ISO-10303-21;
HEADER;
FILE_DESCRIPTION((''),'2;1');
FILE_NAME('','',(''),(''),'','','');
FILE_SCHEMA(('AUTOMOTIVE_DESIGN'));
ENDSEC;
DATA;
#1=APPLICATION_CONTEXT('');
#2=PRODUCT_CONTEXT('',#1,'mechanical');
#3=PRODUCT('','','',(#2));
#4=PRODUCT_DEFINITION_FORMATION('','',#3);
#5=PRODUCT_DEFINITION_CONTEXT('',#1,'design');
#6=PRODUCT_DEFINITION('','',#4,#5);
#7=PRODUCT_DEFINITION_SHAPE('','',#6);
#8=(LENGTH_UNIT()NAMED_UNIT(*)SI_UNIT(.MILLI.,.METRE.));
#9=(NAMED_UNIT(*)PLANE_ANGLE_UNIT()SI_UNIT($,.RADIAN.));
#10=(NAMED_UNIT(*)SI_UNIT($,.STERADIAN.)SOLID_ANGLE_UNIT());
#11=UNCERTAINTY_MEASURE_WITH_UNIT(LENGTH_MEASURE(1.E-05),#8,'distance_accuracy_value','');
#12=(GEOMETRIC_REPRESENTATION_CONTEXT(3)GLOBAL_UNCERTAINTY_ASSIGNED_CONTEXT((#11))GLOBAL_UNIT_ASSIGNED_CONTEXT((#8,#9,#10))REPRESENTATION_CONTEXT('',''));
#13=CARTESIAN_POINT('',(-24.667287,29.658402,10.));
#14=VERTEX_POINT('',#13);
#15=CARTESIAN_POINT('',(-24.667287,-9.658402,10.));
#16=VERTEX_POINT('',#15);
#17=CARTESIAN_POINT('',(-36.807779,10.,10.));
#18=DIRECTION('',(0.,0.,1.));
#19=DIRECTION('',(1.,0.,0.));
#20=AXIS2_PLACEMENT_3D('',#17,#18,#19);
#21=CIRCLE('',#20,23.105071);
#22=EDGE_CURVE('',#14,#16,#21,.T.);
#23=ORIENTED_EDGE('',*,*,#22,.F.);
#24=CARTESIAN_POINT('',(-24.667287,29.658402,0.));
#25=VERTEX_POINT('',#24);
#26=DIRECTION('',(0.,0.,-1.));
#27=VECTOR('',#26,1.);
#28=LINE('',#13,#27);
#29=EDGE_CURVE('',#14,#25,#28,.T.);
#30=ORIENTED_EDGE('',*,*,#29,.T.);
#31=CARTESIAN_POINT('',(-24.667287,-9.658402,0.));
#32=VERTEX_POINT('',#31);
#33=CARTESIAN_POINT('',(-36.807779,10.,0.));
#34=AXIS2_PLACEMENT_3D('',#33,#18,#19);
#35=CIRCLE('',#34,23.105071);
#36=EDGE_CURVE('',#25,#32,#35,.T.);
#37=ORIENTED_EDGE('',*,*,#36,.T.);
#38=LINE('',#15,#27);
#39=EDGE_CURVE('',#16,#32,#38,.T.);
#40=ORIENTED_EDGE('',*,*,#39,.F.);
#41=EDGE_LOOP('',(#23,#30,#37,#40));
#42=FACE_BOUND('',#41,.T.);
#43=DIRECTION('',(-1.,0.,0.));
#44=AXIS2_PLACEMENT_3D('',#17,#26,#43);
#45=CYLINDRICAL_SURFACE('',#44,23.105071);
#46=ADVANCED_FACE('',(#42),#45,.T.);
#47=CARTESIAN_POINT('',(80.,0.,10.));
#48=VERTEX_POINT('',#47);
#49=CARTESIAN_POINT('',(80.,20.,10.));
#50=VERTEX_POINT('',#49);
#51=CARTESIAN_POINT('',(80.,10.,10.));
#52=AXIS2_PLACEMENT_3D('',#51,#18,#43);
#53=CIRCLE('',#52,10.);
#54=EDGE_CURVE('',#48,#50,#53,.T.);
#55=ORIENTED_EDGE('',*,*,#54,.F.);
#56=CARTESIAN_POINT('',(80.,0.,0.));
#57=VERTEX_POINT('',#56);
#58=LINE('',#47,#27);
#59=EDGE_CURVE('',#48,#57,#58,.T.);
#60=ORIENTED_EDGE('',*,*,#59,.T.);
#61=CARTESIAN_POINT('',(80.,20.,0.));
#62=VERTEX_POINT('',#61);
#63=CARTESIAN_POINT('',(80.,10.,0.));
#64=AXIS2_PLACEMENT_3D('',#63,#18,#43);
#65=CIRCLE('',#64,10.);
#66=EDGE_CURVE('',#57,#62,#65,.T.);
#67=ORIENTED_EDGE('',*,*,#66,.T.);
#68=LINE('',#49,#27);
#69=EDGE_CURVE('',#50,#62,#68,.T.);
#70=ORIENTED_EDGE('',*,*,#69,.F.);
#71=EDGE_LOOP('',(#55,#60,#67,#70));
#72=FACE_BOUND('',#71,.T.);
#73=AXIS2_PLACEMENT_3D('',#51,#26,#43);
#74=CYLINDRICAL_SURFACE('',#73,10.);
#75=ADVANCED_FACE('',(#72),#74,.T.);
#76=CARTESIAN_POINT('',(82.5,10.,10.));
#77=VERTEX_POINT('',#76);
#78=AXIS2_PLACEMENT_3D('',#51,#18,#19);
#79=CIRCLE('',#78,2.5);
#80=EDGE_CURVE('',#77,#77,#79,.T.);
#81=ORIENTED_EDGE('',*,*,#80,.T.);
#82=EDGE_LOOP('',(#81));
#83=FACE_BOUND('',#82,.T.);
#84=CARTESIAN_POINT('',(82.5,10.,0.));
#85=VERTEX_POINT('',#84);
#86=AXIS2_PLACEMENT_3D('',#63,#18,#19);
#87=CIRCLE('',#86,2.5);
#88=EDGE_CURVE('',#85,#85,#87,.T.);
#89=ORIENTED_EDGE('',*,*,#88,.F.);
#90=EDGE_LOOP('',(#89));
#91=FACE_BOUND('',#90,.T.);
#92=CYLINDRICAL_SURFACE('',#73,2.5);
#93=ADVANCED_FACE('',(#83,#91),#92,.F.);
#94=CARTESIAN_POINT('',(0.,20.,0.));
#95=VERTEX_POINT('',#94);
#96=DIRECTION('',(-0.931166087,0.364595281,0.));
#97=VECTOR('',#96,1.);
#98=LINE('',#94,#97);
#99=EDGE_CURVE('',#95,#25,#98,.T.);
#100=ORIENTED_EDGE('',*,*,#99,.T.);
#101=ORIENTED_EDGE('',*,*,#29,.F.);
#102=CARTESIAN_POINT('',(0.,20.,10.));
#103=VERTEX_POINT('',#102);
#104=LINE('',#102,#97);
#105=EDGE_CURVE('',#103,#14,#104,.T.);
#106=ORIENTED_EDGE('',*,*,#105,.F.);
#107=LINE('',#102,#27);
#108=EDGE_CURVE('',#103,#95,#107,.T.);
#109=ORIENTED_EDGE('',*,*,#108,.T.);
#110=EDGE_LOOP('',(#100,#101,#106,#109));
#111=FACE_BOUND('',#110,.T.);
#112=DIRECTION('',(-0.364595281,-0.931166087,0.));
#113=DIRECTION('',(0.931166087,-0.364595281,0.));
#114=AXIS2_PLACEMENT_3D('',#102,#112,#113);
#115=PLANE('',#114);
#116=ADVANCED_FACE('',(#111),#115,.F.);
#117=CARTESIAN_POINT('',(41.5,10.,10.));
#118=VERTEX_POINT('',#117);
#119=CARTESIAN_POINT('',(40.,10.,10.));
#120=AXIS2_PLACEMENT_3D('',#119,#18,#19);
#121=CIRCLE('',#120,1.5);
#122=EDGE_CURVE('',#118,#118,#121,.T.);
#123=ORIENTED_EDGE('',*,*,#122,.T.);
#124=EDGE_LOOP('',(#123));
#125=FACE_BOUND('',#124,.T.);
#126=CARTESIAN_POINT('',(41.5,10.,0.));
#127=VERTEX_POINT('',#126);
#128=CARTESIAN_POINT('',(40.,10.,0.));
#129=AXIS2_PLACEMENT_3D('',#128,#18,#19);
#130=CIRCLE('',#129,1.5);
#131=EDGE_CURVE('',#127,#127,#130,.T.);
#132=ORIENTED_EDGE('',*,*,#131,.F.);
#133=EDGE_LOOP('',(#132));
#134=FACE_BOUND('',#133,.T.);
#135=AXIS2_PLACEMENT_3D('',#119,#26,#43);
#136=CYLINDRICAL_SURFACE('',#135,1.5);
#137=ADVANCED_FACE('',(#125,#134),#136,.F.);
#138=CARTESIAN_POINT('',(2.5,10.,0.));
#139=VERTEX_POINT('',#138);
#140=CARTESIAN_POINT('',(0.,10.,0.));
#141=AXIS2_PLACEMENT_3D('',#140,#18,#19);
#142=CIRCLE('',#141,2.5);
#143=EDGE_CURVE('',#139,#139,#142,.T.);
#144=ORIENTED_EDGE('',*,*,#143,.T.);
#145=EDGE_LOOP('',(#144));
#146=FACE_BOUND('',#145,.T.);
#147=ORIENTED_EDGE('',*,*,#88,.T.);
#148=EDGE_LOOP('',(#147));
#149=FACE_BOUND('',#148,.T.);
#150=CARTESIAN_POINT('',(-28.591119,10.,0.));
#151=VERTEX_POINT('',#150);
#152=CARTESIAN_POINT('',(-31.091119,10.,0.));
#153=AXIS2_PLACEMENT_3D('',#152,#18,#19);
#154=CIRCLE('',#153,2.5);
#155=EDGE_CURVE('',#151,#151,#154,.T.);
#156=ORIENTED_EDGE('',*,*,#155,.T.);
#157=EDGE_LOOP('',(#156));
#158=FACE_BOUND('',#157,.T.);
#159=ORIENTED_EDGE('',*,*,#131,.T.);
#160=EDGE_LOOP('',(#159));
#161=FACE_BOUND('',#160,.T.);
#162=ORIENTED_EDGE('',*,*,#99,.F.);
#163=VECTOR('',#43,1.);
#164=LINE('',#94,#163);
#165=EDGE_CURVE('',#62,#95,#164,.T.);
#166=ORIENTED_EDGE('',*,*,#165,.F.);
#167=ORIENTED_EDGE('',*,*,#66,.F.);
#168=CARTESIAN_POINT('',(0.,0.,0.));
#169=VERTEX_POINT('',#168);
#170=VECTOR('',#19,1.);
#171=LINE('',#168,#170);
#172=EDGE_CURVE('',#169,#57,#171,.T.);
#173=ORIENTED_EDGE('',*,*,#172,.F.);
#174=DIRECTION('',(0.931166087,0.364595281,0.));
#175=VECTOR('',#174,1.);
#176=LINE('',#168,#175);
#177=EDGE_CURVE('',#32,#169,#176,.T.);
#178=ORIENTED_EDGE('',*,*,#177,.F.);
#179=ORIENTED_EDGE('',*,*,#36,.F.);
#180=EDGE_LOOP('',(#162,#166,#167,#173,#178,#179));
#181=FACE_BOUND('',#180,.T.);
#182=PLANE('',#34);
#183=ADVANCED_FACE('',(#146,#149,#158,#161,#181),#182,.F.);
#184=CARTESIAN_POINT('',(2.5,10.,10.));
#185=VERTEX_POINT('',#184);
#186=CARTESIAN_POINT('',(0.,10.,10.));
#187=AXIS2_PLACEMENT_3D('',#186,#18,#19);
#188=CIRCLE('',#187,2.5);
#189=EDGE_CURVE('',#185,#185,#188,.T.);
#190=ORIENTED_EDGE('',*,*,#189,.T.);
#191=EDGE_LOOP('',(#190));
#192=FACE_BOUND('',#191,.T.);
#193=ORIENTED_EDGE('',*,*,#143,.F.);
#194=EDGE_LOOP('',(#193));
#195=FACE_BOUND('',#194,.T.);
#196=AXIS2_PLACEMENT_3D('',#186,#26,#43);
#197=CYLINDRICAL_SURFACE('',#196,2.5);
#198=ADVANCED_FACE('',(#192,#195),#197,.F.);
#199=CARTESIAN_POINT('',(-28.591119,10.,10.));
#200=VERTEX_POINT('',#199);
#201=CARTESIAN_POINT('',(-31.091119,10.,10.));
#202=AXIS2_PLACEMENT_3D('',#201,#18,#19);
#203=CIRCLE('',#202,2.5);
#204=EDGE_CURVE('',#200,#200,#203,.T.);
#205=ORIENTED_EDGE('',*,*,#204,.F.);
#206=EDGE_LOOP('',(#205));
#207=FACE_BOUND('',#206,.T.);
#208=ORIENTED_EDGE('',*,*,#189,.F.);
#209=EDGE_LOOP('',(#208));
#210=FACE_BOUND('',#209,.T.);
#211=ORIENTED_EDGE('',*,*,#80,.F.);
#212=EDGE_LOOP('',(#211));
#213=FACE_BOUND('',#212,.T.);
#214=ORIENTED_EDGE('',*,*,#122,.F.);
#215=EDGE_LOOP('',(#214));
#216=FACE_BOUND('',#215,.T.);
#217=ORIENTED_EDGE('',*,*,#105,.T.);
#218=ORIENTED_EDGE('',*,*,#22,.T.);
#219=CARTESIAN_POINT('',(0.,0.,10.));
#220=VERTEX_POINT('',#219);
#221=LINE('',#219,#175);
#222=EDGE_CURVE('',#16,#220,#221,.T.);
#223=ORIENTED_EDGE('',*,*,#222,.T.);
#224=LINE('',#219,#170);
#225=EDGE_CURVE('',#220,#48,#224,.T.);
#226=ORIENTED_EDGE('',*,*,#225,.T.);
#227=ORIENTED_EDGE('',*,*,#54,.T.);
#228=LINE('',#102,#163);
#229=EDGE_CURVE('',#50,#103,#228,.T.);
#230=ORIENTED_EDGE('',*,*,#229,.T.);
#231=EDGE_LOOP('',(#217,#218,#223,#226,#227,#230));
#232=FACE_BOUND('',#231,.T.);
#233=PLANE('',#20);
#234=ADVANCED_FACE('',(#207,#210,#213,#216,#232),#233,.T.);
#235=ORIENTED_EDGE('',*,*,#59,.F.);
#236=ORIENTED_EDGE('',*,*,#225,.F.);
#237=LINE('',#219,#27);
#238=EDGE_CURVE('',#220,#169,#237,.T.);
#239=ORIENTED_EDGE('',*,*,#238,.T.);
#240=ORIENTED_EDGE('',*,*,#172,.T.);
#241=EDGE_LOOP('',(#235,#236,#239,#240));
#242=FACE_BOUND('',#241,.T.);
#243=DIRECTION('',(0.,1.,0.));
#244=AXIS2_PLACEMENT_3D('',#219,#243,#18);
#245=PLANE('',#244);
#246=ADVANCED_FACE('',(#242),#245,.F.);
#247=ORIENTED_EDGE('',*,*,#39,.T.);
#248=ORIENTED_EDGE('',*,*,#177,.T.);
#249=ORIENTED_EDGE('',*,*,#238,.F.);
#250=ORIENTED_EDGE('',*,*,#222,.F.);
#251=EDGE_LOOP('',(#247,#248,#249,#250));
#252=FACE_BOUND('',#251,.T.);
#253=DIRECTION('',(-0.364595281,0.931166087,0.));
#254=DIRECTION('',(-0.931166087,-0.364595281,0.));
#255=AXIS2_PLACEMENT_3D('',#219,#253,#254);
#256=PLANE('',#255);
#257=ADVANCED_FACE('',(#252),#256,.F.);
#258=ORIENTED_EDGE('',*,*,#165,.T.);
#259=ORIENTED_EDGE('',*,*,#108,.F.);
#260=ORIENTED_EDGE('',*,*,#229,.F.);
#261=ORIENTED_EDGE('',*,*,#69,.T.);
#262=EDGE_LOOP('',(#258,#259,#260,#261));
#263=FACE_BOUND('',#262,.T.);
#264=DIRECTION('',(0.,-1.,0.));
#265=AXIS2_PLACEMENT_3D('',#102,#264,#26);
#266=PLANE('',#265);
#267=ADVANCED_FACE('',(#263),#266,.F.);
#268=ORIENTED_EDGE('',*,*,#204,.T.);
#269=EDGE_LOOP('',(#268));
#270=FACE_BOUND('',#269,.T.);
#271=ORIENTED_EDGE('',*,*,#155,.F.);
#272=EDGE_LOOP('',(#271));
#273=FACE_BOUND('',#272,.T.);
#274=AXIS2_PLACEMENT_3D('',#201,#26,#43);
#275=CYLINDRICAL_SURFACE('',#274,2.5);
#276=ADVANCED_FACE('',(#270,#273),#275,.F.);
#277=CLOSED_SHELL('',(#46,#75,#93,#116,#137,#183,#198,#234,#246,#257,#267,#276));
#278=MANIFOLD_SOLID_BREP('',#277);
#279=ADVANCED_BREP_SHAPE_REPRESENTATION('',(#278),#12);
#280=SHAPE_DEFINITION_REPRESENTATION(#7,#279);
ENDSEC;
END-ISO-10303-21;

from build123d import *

# Parameters (mm, degrees)
ESQUISSE1_R        = 2.5
ESQUISSE1_R_2      = 1.5
BOSS_EXTRU_1_DEPTH = 10


with BuildPart() as part:
    # Esquisse1 → Boss.-Extru.1 (new body)
    with BuildSketch(Plane.XY):
        with BuildLine():
            Line((0, 0), (80, 0))
            ThreePointArc((80, 0), (90, 10), (80, 20))
            Line((80, 20), (0, 20))
            Line((0, 20), (-24.667286758, 29.658401944))
            ThreePointArc((-24.667286758, 29.658401944), (-59.912850456, 10), (-24.667286758, -9.658401944))
            Line((-24.667286758, -9.658401944), (0, 0))
        make_face()
        with Locations((0, 10)):
            Circle(ESQUISSE1_R, mode=Mode.SUBTRACT)
        with Locations((80, 10)):
            Circle(ESQUISSE1_R, mode=Mode.SUBTRACT)
        with Locations((-31.091119471, 10)):
            Circle(ESQUISSE1_R, mode=Mode.SUBTRACT)
        with Locations((40, 10)):
            Circle(ESQUISSE1_R_2, mode=Mode.SUBTRACT)
    extrude(amount=BOSS_EXTRU_1_DEPTH)


solid = part.part
